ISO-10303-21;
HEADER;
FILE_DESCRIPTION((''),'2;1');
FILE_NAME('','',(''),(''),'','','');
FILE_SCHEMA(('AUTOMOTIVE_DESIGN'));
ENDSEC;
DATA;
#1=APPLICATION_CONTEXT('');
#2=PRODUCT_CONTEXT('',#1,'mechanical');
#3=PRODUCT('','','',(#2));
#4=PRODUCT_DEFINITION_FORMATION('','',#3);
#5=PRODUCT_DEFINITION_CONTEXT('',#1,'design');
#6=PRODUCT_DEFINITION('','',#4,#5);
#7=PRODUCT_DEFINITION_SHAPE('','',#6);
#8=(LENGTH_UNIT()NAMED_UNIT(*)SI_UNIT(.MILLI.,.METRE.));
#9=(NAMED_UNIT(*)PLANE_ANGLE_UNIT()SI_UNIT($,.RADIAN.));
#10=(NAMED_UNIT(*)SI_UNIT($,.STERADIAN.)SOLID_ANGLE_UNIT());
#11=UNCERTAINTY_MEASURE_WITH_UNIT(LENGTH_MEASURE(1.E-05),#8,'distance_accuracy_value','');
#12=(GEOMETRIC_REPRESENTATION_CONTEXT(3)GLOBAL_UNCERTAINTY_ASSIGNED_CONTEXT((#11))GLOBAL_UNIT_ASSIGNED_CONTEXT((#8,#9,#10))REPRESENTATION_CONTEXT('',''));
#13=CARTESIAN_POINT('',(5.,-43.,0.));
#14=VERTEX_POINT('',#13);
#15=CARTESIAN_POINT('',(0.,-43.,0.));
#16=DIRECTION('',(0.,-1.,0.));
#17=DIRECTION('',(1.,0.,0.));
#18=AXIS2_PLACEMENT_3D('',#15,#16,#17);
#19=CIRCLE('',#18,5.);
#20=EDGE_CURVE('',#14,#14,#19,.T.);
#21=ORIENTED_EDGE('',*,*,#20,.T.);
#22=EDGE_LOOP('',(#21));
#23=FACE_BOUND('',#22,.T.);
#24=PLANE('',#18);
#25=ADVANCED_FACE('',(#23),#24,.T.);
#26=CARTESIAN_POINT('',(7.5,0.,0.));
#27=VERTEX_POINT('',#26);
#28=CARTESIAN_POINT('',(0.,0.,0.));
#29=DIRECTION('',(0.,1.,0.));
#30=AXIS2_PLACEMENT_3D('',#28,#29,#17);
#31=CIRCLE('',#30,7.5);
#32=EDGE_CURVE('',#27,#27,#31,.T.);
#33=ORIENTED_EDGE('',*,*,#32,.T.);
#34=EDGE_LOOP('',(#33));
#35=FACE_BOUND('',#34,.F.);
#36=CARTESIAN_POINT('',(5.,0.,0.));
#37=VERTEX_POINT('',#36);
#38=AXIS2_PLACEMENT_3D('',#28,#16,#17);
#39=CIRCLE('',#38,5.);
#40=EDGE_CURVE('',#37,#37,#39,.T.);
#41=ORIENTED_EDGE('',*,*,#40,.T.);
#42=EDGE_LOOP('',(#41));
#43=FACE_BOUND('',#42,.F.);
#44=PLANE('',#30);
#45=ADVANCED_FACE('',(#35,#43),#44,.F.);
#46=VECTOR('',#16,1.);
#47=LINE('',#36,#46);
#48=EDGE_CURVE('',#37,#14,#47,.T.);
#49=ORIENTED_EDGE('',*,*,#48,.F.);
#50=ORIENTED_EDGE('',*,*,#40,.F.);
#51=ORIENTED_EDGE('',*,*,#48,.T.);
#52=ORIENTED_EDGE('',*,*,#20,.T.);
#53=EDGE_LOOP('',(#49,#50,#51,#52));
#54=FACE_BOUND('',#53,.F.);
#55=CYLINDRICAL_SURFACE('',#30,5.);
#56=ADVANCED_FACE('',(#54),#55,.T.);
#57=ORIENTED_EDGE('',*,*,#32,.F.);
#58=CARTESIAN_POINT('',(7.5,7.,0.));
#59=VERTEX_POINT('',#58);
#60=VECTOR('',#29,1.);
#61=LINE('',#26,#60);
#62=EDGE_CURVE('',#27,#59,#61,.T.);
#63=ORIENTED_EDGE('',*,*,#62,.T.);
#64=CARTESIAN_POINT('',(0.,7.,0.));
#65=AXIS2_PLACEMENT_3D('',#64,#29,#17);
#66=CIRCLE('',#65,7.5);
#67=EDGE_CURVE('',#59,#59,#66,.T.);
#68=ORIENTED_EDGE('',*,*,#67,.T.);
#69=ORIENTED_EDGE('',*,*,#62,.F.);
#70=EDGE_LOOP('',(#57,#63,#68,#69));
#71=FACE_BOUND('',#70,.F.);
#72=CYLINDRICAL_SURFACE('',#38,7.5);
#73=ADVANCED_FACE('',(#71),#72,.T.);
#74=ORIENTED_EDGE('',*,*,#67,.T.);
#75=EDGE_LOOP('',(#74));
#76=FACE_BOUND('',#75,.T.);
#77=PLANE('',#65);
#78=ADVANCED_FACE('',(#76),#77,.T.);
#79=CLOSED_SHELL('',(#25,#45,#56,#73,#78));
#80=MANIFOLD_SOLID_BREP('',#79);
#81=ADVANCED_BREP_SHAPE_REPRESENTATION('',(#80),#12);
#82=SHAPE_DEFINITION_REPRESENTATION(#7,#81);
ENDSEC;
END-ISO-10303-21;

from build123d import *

# Parameters (mm, degrees)
SKETCH1_R           = 7.5
BOSS_EXTRUDE1_DEPTH = 7
SKETCH3_R           = 5
BOSS_EXTRUDE2_DEPTH = 43


with BuildPart() as part:
    # Sketch1 → Boss-Extrude1 (new body)
    with BuildSketch(Plane(origin=(0, 0, 0), x_dir=(1, 0, 0), z_dir=(0, 1, 0))):
        Circle(SKETCH1_R)
    extrude(amount=BOSS_EXTRUDE1_DEPTH)

    # Sketch3 → Boss-Extrude2 (add)
    with BuildSketch(Plane.XZ):
        Circle(SKETCH3_R)
    extrude(amount=BOSS_EXTRUDE2_DEPTH)


solid = part.part
